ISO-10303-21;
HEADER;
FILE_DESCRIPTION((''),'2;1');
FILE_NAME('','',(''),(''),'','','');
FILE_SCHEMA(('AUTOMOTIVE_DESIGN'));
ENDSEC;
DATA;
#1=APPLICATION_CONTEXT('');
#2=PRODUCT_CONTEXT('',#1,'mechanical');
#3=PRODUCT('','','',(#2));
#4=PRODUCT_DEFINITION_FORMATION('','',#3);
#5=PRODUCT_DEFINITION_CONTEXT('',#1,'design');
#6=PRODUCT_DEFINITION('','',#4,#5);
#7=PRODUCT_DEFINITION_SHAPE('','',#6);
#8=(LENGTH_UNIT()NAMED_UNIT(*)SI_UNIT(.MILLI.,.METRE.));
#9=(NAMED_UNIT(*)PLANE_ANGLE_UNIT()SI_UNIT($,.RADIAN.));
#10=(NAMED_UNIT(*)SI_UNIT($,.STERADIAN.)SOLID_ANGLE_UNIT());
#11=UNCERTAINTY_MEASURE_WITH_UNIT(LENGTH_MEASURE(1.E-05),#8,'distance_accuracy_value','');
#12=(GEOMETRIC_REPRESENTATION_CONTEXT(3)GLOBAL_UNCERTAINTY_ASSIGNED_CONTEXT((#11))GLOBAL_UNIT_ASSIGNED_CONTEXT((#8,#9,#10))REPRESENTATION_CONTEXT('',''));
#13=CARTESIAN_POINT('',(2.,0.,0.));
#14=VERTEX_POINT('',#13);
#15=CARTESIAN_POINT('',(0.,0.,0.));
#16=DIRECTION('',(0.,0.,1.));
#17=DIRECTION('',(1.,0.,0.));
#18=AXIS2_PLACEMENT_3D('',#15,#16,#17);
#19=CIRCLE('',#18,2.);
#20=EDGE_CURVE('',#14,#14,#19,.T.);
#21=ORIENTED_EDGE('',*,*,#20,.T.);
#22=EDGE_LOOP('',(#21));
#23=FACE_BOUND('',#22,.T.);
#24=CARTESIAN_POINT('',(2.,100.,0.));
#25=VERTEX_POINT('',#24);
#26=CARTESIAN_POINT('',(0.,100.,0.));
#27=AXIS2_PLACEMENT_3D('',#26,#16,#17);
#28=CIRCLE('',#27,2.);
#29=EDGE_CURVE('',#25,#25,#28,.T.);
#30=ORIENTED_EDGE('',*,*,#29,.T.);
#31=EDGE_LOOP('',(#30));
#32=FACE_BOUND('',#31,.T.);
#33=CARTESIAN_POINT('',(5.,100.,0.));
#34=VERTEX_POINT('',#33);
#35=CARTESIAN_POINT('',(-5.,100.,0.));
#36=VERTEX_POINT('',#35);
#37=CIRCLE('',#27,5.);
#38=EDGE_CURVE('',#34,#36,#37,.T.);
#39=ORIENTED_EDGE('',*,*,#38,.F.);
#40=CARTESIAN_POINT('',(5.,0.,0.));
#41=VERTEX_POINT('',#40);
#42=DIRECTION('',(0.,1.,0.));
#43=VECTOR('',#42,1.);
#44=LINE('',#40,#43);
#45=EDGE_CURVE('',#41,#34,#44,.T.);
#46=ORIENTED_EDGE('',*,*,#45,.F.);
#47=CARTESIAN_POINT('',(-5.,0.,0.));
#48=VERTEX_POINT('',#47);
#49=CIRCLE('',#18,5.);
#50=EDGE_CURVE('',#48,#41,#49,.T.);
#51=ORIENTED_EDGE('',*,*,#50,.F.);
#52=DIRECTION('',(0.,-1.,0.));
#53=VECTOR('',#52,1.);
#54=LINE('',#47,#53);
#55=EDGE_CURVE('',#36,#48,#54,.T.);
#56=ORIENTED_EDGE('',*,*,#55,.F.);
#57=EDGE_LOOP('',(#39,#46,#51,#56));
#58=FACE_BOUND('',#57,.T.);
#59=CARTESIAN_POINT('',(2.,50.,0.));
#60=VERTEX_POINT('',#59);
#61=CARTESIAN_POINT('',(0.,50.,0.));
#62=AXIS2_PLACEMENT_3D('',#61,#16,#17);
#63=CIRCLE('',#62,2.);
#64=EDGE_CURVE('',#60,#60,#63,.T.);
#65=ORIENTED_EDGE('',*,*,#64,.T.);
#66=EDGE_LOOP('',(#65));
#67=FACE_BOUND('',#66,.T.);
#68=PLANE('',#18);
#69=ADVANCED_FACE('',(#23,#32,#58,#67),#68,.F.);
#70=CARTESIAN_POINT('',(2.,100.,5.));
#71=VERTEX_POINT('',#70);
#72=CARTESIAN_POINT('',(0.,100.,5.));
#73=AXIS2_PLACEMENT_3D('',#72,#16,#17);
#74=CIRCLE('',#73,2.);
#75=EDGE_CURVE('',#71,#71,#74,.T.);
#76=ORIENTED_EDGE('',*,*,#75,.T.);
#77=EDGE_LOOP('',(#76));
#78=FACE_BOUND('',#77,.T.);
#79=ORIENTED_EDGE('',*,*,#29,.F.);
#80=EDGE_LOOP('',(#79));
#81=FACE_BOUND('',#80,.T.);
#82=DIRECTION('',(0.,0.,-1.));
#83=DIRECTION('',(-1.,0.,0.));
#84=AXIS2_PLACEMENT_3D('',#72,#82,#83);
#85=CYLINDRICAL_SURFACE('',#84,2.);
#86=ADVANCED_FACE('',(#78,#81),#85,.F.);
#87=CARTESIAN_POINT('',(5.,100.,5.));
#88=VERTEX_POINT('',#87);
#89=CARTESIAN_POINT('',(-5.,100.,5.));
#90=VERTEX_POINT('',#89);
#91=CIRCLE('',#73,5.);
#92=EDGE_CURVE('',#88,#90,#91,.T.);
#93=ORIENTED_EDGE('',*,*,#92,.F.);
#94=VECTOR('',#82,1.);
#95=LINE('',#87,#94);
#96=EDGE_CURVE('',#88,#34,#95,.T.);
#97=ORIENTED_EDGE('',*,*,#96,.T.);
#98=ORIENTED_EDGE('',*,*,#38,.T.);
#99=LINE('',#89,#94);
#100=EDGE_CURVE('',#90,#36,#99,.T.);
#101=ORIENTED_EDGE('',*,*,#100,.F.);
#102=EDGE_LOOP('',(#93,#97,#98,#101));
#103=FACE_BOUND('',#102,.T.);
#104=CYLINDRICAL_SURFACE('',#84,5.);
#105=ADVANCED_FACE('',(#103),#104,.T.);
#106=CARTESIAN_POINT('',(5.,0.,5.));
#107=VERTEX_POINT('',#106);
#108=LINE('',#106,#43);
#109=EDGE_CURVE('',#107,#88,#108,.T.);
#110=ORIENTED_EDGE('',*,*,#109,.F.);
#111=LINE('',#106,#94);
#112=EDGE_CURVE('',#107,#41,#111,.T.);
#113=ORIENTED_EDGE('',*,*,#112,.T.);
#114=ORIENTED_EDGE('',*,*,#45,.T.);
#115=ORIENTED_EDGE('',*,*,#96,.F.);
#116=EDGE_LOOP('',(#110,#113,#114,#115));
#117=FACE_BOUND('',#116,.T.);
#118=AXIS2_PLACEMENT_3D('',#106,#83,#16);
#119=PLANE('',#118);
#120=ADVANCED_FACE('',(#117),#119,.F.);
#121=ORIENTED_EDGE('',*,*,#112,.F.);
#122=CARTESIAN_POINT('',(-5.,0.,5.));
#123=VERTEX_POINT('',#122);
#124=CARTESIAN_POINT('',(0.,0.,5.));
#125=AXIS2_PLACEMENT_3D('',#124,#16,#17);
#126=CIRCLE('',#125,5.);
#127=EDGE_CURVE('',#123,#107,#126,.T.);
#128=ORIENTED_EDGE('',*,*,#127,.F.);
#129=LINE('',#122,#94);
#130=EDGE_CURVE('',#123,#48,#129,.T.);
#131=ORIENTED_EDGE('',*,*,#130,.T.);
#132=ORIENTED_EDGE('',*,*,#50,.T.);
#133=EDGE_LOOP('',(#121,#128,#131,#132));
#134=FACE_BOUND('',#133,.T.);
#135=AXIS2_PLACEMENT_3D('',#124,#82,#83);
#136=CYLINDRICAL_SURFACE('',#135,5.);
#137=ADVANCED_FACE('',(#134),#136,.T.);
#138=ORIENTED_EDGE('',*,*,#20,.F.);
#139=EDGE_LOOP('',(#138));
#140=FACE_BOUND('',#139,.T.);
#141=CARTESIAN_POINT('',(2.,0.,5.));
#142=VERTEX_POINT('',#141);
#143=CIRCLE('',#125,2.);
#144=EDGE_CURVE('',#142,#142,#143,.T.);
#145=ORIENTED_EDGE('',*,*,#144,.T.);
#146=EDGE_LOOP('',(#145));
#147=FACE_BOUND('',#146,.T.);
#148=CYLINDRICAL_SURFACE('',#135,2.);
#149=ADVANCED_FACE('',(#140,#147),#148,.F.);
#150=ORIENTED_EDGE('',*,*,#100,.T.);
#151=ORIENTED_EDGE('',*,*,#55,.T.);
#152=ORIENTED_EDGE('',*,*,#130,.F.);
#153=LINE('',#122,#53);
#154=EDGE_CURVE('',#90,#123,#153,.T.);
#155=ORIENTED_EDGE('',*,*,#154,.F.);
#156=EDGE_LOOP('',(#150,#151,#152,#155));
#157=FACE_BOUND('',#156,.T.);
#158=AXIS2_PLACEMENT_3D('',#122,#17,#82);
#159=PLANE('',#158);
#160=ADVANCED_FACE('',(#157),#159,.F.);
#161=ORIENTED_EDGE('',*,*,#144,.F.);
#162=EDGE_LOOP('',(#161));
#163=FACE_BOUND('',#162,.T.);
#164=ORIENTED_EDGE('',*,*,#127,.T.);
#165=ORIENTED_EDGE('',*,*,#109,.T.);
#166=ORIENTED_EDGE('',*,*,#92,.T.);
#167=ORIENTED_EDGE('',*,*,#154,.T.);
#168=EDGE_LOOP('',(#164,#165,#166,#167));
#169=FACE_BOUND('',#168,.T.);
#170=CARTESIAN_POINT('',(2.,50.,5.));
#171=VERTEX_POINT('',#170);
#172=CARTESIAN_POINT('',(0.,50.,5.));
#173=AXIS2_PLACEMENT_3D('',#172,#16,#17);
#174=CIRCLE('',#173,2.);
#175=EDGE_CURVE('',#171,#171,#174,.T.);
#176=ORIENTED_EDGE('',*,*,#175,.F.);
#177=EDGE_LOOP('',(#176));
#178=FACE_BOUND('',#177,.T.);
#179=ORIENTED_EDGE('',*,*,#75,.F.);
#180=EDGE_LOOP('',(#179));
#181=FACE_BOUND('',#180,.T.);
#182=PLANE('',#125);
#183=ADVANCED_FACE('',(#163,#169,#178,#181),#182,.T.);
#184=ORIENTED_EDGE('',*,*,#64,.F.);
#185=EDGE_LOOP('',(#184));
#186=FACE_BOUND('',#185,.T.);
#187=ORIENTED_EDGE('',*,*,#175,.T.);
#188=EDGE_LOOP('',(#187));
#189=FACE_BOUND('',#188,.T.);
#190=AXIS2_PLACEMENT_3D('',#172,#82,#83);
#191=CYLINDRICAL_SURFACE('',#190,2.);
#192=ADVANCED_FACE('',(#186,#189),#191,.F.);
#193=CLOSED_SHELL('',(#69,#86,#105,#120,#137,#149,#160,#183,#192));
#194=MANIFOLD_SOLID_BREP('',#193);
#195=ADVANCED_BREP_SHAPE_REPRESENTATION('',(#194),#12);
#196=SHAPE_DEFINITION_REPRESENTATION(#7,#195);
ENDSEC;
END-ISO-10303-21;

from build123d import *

# Parameters (mm, degrees)
SKETCH2_R           = 2
BOSS_EXTRUDE1_DEPTH = 5


with BuildPart() as part:
    # Sketch2 → Boss-Extrude1 (new body)
    with BuildSketch(Plane.XY):
        with BuildLine():
            Line((-5, 0), (-5, 100))
            ThreePointArc((-5, 100), (0, 105), (5, 100))
            Line((5, 100), (5, 0))
            ThreePointArc((5, 0), (0, -5), (-5, 0))
        make_face()
        with Locations((0, 100)):
            Circle(SKETCH2_R, mode=Mode.SUBTRACT)
        Circle(SKETCH2_R, mode=Mode.SUBTRACT)
        with Locations((0, 50)):
            Circle(SKETCH2_R, mode=Mode.SUBTRACT)
    extrude(amount=BOSS_EXTRUDE1_DEPTH)


solid = part.part
